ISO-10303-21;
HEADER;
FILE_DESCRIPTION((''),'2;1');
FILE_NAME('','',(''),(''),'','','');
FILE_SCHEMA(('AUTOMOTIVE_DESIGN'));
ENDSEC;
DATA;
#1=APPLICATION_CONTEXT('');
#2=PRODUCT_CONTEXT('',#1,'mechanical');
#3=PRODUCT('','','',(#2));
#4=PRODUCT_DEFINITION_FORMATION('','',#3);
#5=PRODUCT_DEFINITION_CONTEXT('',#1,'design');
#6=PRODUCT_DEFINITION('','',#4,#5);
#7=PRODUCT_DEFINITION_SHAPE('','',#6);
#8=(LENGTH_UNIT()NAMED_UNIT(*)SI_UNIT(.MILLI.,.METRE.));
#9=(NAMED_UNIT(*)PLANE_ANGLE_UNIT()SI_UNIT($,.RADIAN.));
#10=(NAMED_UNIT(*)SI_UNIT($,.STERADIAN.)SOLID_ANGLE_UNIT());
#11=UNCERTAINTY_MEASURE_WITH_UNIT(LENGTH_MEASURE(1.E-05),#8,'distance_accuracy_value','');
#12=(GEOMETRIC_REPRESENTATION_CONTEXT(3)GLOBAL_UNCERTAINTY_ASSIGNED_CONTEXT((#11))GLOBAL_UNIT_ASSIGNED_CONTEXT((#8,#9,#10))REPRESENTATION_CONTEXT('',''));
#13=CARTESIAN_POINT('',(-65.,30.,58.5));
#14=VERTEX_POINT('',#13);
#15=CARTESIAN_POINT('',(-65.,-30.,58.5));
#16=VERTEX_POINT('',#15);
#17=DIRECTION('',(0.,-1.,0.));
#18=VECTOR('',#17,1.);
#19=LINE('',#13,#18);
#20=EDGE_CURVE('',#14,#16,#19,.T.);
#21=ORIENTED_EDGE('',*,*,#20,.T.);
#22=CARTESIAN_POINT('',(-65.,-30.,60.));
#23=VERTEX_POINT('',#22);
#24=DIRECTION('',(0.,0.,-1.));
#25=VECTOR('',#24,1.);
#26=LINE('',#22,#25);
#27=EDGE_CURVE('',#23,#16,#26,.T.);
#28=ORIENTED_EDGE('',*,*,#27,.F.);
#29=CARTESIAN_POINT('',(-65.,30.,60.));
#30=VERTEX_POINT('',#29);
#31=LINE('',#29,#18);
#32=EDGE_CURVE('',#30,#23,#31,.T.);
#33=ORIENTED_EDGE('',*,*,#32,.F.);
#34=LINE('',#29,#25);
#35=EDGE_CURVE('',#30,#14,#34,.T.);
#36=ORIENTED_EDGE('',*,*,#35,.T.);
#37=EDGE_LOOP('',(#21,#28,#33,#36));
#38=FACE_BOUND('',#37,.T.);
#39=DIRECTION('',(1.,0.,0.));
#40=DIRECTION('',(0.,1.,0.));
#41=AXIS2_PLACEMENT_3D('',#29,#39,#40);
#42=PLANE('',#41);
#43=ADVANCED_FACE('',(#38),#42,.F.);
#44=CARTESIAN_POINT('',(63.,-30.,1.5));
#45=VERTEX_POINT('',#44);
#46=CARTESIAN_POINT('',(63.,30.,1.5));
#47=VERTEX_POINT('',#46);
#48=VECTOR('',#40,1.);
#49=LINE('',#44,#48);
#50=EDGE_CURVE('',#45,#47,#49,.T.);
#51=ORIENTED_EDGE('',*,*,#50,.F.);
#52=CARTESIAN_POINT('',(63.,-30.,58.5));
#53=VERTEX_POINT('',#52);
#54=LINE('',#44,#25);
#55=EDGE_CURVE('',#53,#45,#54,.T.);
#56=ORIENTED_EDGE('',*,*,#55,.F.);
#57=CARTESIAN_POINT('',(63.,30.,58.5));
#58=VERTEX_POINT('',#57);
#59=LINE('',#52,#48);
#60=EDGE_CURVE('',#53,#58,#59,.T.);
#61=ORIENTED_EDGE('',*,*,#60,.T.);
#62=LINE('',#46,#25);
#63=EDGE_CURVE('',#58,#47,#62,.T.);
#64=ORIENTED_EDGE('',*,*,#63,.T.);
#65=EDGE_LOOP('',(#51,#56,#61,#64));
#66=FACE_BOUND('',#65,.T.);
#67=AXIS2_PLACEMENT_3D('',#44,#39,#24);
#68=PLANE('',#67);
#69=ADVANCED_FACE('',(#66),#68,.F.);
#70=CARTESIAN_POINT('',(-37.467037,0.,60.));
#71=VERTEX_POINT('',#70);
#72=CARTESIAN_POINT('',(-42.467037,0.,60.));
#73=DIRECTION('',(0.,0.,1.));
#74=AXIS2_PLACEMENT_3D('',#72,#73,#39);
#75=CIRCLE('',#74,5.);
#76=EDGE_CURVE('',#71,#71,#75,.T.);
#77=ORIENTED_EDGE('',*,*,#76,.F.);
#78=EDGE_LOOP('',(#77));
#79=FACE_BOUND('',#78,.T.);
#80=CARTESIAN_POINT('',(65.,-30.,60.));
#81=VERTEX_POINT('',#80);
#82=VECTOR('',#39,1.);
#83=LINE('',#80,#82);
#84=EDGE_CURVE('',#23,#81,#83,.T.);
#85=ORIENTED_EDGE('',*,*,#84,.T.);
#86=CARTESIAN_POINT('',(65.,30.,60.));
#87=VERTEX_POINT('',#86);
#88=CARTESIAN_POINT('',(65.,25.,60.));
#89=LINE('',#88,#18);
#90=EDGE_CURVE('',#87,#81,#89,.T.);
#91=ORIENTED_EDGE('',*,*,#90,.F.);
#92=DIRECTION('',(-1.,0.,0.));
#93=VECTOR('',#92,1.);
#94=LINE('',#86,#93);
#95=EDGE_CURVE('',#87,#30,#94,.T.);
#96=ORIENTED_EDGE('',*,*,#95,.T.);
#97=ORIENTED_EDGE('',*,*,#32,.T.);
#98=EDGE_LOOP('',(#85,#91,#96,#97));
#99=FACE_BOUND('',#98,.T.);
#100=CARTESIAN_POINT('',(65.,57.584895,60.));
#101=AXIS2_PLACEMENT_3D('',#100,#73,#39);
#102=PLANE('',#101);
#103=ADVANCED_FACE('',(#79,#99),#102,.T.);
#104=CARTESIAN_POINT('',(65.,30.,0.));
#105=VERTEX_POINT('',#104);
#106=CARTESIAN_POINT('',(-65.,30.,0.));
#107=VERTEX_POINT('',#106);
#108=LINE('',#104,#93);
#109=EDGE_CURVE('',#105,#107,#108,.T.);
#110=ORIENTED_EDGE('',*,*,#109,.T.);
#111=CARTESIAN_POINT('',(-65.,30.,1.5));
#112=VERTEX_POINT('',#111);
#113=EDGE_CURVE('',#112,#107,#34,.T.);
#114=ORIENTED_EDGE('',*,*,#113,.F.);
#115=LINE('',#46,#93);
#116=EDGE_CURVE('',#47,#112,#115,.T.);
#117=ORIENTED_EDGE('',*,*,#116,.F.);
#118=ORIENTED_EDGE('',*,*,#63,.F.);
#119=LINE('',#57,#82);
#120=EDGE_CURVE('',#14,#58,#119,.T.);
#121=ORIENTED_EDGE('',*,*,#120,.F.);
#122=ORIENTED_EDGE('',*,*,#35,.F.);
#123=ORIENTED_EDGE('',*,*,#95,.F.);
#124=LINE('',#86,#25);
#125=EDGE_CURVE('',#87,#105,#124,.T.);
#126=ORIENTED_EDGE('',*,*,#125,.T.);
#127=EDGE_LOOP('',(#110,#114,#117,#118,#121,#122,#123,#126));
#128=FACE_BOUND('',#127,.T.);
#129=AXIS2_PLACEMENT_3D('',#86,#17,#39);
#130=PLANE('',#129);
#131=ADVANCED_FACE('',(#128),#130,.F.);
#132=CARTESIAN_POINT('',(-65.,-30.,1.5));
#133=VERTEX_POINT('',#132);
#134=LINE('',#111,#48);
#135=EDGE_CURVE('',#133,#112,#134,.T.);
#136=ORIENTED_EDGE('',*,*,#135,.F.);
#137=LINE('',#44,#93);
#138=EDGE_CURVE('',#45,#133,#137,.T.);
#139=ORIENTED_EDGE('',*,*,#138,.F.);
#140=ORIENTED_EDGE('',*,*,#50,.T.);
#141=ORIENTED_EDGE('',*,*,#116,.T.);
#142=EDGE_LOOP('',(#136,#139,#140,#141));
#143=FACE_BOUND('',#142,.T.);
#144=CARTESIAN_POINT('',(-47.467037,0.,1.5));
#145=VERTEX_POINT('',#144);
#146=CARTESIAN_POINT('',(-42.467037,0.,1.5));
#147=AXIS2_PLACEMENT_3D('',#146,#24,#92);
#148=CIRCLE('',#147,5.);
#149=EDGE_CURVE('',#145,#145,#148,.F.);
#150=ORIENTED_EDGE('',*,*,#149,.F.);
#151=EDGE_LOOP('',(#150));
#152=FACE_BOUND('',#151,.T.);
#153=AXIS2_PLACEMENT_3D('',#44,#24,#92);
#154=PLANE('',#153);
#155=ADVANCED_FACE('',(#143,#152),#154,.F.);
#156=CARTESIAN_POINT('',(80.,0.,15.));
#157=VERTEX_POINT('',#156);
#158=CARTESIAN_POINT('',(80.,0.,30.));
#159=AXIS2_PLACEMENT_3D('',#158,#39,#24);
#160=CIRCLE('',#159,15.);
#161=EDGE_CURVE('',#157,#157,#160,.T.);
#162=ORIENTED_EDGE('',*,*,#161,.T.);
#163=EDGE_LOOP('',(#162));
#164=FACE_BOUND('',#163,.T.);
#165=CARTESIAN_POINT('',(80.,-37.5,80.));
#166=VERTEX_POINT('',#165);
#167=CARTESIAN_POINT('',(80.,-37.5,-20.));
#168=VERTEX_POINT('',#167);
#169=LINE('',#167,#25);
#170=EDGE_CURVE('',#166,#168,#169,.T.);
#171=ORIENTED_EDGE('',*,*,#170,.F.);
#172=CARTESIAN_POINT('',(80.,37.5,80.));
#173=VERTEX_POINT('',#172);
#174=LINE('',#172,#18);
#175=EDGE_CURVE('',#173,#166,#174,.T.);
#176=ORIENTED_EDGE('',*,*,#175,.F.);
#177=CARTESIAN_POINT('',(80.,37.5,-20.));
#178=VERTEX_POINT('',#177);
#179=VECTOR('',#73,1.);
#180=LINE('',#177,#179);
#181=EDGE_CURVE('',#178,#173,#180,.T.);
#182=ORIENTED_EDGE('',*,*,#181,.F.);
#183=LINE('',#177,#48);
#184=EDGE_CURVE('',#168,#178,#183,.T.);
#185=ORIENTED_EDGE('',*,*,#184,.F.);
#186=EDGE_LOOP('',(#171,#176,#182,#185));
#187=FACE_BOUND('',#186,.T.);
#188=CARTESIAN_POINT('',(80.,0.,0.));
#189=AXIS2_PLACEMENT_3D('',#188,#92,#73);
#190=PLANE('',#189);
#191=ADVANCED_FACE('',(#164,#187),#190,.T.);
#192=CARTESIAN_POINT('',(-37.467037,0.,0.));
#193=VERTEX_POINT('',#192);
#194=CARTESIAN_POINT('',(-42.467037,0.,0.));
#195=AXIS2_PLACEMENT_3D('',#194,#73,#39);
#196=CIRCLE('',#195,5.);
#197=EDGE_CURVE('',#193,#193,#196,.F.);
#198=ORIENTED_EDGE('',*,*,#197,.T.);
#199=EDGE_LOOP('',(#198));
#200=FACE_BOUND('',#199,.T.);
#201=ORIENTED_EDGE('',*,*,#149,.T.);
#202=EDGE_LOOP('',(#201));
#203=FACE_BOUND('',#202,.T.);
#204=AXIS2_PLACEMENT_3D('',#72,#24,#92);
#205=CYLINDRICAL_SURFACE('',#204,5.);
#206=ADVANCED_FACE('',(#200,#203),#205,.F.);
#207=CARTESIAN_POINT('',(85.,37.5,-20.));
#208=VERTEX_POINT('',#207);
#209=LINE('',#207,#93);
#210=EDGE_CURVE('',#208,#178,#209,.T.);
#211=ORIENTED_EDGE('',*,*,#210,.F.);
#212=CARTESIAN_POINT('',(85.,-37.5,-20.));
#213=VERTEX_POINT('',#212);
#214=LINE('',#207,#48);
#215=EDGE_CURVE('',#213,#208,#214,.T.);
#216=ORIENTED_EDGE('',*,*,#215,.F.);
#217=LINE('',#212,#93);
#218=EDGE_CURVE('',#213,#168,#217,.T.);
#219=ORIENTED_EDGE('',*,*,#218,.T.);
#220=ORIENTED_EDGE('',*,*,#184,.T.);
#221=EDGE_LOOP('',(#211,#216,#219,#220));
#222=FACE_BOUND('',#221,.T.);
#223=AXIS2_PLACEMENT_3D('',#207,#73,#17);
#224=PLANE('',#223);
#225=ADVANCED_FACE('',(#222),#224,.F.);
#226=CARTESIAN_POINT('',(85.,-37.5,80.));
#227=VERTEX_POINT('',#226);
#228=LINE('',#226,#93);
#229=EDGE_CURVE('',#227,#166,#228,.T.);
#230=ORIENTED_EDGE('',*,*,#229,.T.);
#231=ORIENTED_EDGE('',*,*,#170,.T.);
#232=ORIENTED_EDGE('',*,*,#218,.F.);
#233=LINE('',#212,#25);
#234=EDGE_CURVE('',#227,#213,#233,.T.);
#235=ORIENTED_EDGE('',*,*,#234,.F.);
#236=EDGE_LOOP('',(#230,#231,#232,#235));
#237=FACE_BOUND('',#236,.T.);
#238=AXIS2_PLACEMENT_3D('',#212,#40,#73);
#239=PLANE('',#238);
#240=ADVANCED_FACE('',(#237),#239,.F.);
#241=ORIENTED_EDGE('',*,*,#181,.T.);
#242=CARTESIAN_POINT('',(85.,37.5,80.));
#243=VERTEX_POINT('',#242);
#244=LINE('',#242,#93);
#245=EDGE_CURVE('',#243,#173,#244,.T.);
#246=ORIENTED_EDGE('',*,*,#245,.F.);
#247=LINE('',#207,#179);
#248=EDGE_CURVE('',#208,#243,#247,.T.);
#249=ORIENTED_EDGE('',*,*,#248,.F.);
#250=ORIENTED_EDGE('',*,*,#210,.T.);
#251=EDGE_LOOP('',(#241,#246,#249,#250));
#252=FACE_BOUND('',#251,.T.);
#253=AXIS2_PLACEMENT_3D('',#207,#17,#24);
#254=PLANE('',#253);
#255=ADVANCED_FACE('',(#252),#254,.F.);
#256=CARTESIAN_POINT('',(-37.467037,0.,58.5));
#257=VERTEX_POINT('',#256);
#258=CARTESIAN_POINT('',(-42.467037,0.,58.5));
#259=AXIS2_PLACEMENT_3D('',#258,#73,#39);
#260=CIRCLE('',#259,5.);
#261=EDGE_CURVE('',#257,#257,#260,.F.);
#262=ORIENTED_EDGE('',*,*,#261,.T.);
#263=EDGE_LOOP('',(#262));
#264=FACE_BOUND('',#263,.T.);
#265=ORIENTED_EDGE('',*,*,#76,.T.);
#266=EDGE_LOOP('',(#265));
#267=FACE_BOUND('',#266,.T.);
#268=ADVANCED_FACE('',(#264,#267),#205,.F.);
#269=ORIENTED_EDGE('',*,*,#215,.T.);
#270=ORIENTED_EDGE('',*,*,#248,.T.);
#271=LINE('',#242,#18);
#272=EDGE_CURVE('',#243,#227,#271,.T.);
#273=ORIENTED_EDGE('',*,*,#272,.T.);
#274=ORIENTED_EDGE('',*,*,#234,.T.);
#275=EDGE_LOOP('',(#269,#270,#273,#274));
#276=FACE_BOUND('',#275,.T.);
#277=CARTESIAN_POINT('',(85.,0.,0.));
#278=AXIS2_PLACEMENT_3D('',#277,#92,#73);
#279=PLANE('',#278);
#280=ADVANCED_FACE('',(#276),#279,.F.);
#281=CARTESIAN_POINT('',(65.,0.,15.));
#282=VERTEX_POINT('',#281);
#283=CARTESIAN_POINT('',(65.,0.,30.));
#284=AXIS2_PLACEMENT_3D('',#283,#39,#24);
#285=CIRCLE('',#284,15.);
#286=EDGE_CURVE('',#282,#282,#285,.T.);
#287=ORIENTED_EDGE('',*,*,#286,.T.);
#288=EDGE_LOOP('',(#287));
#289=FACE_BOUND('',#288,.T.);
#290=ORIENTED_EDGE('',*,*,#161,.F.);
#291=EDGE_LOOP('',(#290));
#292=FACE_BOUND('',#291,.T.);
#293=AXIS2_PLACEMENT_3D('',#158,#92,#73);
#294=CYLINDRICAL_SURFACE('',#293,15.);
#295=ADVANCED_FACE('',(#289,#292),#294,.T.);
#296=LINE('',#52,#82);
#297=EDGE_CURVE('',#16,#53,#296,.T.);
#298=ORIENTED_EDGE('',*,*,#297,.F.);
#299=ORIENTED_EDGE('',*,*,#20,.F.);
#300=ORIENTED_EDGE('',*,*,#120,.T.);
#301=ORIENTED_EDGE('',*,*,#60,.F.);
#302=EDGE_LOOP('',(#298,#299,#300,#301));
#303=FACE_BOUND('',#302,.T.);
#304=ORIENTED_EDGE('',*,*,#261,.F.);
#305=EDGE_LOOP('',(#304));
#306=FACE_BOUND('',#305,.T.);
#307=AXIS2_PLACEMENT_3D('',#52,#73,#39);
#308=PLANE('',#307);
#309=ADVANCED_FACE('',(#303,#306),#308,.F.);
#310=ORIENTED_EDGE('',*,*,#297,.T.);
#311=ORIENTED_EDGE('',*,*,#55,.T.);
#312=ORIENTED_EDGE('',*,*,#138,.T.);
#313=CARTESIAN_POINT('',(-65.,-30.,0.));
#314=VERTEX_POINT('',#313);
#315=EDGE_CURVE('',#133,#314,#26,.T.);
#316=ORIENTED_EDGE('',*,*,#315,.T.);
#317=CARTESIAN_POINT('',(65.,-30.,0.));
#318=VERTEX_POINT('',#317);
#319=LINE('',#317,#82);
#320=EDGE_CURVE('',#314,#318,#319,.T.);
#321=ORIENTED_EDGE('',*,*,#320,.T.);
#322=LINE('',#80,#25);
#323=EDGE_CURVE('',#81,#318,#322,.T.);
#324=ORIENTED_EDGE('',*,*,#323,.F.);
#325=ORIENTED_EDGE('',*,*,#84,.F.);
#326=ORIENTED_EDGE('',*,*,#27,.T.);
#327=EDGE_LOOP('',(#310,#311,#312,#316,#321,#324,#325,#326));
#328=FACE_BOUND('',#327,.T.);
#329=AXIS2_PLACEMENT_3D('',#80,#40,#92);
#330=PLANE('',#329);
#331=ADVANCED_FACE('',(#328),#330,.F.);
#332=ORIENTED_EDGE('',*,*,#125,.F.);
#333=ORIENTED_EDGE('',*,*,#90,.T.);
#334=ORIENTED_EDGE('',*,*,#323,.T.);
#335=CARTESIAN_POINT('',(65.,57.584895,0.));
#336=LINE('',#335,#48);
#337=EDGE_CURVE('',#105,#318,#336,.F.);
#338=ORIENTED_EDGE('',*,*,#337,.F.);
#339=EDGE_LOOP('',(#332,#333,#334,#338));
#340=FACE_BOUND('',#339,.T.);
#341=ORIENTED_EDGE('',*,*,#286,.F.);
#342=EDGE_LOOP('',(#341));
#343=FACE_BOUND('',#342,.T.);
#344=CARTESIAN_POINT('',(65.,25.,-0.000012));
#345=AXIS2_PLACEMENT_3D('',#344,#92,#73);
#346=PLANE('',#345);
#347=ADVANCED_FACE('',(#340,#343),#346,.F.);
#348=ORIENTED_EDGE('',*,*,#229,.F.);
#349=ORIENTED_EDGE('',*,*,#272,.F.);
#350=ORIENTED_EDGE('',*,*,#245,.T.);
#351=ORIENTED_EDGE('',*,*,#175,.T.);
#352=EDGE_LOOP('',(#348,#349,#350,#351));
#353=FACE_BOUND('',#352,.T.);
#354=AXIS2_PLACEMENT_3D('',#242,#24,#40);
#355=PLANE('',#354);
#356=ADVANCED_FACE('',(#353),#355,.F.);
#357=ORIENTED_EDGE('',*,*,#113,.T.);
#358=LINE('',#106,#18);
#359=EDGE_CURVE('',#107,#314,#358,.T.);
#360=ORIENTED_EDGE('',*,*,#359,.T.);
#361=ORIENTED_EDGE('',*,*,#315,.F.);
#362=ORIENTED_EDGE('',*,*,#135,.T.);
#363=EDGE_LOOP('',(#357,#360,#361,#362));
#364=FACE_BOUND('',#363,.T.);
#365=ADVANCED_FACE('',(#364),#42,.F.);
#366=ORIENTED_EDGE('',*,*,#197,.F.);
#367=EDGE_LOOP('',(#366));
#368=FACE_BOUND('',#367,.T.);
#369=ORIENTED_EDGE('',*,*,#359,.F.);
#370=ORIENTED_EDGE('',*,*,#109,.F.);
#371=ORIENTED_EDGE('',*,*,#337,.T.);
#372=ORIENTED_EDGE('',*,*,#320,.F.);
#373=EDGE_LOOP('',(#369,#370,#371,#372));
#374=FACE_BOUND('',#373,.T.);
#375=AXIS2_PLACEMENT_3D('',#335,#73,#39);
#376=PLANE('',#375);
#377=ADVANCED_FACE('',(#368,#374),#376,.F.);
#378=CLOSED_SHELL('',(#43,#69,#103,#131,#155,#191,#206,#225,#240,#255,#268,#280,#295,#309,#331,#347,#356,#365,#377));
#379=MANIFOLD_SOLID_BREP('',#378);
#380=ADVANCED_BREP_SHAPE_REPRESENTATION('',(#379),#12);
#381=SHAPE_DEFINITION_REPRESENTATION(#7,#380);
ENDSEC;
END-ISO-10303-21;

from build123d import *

# Parameters (mm, degrees)
RESSALTO_EXTRUS_O1_DEPTH   = 60
CORTE_EXTRUS_O1_DEPTH      = 148.170653102
CORTE_EXTRUS_O1_DEPTH_BACK = 148.170653102
CORTE_EXTRUS_O2_DEPTH      = 148.170653102
CORTE_EXTRUS_O2_DEPTH_BACK = 148.170653102
ESBO_O5_W                  = 126
ESBO_O5_H                  = 57
ESBO_O6_W                  = 57
ESBO_O6_H                  = 60
CORTE_EXTRUS_O3_DEPTH      = 57
CORTE_EXTRUS_O4_DEPTH      = 148.170653102
CORTE_EXTRUS_O4_DEPTH_BACK = 57
ESBO_O7_R                  = 5
CORTE_EXTRUS_O5_DEPTH      = 148.170653102
CORTE_EXTRUS_O5_DEPTH_BACK = 148.170653102
ESBO_O8_W                  = 65.993133921
ESBO_O8_H                  = 60
ESBO_O13_R                 = 15
RESSALTO_EXTRUS_O2_DEPTH   = 15
ESBO_O14_W                 = 100
ESBO_O14_H                 = 75
RESSALTO_EXTRUS_O3_DEPTH   = 5


with BuildPart() as part:
    # Esboço1 → Ressalto-extrusão1 (new body)
    with BuildSketch(Plane.XY):
        with BuildLine():
            Line((65, 30), (-65, 30))
            Line((-65, 30), (-65, -30))
            Line((-65, -30), (65, -30))
            ThreePointArc((65, -30), (101.246012625, -22.148036763), (130.993133921, 0))
            ThreePointArc((130.993133921, 0), (101.246012625, 22.148036763), (65, 30))
        make_face()
    extrude(amount=RESSALTO_EXTRUS_O1_DEPTH)

    # Esboço3 → Corte-extrusão1 (cut, two sides: drawn at the far end of the back side and taken through both)
    with BuildSketch(Plane.XY.offset(-CORTE_EXTRUS_O1_DEPTH_BACK)):
        with BuildLine():
            Line((65, 25), (65, -25))
            ThreePointArc((65, -25), (88.305470739, -18.221231084), (104.339291624, 0))
            ThreePointArc((104.339291624, 0), (88.305470739, 18.221231084), (65, 25))
        make_face()
    extrude(amount=CORTE_EXTRUS_O1_DEPTH + CORTE_EXTRUS_O1_DEPTH_BACK, mode=Mode.SUBTRACT)

    # Esboço5 → Corte-extrusão2 (cut, two sides: drawn at the far end of the back side and taken through both)
    with BuildSketch(Plane(origin=(0, 0, 0), x_dir=(1, 0, 0), z_dir=(0, 1, 0)).offset(-CORTE_EXTRUS_O2_DEPTH_BACK)):
        with Locations((0, -30)):
            Rectangle(ESBO_O5_W, ESBO_O5_H)
    extrude(amount=CORTE_EXTRUS_O2_DEPTH + CORTE_EXTRUS_O2_DEPTH_BACK, mode=Mode.SUBTRACT)

    # Esboço6 → Corte-extrusão3 (cut)
    with BuildSketch(Plane(origin=(-63, 0, 0), x_dir=(0, 0, -1), z_dir=(1, 0, 0))):
        with Locations((-30, 0)):
            Rectangle(ESBO_O6_W, ESBO_O6_H)
    extrude(amount=-CORTE_EXTRUS_O3_DEPTH, mode=Mode.SUBTRACT)

    # Esboço7 → Corte-extrusão4 (cut, two sides: drawn at the far end of the back side and taken through both)
    with BuildSketch(Plane.XY.offset(-CORTE_EXTRUS_O4_DEPTH_BACK)):
        with Locations((-42.467037106, 0)):
            Circle(ESBO_O7_R)
    extrude(amount=CORTE_EXTRUS_O4_DEPTH + CORTE_EXTRUS_O4_DEPTH_BACK, mode=Mode.SUBTRACT)

    # Esboço8 → Corte-extrusão5 (cut, two sides: drawn at the far end of the back side and taken through both)
    with BuildSketch(Plane(origin=(0, 0, 0), x_dir=(1, 0, 0), z_dir=(0, 1, 0)).offset(-CORTE_EXTRUS_O5_DEPTH_BACK)):
        with Locations((97.996566961, -30)):
            Rectangle(ESBO_O8_W, ESBO_O8_H)
    extrude(amount=CORTE_EXTRUS_O5_DEPTH + CORTE_EXTRUS_O5_DEPTH_BACK, mode=Mode.SUBTRACT)

    # Esboço13 → Ressalto-extrusão2 (add)
    with BuildSketch(Plane(origin=(65, 0, 0), x_dir=(0, 0, -1), z_dir=(1, 0, 0))):
        with Locations((-30, 0)):
            Circle(ESBO_O13_R)
    extrude(amount=RESSALTO_EXTRUS_O2_DEPTH)

    # Esboço14 → Ressalto-extrusão3 (add)
    with BuildSketch(Plane(origin=(80, 0, 0), x_dir=(0, 0, -1), z_dir=(1, 0, 0))):
        with Locations((-30, 0)):
            Rectangle(ESBO_O14_W, ESBO_O14_H)
    extrude(amount=RESSALTO_EXTRUS_O3_DEPTH)


solid = part.part
